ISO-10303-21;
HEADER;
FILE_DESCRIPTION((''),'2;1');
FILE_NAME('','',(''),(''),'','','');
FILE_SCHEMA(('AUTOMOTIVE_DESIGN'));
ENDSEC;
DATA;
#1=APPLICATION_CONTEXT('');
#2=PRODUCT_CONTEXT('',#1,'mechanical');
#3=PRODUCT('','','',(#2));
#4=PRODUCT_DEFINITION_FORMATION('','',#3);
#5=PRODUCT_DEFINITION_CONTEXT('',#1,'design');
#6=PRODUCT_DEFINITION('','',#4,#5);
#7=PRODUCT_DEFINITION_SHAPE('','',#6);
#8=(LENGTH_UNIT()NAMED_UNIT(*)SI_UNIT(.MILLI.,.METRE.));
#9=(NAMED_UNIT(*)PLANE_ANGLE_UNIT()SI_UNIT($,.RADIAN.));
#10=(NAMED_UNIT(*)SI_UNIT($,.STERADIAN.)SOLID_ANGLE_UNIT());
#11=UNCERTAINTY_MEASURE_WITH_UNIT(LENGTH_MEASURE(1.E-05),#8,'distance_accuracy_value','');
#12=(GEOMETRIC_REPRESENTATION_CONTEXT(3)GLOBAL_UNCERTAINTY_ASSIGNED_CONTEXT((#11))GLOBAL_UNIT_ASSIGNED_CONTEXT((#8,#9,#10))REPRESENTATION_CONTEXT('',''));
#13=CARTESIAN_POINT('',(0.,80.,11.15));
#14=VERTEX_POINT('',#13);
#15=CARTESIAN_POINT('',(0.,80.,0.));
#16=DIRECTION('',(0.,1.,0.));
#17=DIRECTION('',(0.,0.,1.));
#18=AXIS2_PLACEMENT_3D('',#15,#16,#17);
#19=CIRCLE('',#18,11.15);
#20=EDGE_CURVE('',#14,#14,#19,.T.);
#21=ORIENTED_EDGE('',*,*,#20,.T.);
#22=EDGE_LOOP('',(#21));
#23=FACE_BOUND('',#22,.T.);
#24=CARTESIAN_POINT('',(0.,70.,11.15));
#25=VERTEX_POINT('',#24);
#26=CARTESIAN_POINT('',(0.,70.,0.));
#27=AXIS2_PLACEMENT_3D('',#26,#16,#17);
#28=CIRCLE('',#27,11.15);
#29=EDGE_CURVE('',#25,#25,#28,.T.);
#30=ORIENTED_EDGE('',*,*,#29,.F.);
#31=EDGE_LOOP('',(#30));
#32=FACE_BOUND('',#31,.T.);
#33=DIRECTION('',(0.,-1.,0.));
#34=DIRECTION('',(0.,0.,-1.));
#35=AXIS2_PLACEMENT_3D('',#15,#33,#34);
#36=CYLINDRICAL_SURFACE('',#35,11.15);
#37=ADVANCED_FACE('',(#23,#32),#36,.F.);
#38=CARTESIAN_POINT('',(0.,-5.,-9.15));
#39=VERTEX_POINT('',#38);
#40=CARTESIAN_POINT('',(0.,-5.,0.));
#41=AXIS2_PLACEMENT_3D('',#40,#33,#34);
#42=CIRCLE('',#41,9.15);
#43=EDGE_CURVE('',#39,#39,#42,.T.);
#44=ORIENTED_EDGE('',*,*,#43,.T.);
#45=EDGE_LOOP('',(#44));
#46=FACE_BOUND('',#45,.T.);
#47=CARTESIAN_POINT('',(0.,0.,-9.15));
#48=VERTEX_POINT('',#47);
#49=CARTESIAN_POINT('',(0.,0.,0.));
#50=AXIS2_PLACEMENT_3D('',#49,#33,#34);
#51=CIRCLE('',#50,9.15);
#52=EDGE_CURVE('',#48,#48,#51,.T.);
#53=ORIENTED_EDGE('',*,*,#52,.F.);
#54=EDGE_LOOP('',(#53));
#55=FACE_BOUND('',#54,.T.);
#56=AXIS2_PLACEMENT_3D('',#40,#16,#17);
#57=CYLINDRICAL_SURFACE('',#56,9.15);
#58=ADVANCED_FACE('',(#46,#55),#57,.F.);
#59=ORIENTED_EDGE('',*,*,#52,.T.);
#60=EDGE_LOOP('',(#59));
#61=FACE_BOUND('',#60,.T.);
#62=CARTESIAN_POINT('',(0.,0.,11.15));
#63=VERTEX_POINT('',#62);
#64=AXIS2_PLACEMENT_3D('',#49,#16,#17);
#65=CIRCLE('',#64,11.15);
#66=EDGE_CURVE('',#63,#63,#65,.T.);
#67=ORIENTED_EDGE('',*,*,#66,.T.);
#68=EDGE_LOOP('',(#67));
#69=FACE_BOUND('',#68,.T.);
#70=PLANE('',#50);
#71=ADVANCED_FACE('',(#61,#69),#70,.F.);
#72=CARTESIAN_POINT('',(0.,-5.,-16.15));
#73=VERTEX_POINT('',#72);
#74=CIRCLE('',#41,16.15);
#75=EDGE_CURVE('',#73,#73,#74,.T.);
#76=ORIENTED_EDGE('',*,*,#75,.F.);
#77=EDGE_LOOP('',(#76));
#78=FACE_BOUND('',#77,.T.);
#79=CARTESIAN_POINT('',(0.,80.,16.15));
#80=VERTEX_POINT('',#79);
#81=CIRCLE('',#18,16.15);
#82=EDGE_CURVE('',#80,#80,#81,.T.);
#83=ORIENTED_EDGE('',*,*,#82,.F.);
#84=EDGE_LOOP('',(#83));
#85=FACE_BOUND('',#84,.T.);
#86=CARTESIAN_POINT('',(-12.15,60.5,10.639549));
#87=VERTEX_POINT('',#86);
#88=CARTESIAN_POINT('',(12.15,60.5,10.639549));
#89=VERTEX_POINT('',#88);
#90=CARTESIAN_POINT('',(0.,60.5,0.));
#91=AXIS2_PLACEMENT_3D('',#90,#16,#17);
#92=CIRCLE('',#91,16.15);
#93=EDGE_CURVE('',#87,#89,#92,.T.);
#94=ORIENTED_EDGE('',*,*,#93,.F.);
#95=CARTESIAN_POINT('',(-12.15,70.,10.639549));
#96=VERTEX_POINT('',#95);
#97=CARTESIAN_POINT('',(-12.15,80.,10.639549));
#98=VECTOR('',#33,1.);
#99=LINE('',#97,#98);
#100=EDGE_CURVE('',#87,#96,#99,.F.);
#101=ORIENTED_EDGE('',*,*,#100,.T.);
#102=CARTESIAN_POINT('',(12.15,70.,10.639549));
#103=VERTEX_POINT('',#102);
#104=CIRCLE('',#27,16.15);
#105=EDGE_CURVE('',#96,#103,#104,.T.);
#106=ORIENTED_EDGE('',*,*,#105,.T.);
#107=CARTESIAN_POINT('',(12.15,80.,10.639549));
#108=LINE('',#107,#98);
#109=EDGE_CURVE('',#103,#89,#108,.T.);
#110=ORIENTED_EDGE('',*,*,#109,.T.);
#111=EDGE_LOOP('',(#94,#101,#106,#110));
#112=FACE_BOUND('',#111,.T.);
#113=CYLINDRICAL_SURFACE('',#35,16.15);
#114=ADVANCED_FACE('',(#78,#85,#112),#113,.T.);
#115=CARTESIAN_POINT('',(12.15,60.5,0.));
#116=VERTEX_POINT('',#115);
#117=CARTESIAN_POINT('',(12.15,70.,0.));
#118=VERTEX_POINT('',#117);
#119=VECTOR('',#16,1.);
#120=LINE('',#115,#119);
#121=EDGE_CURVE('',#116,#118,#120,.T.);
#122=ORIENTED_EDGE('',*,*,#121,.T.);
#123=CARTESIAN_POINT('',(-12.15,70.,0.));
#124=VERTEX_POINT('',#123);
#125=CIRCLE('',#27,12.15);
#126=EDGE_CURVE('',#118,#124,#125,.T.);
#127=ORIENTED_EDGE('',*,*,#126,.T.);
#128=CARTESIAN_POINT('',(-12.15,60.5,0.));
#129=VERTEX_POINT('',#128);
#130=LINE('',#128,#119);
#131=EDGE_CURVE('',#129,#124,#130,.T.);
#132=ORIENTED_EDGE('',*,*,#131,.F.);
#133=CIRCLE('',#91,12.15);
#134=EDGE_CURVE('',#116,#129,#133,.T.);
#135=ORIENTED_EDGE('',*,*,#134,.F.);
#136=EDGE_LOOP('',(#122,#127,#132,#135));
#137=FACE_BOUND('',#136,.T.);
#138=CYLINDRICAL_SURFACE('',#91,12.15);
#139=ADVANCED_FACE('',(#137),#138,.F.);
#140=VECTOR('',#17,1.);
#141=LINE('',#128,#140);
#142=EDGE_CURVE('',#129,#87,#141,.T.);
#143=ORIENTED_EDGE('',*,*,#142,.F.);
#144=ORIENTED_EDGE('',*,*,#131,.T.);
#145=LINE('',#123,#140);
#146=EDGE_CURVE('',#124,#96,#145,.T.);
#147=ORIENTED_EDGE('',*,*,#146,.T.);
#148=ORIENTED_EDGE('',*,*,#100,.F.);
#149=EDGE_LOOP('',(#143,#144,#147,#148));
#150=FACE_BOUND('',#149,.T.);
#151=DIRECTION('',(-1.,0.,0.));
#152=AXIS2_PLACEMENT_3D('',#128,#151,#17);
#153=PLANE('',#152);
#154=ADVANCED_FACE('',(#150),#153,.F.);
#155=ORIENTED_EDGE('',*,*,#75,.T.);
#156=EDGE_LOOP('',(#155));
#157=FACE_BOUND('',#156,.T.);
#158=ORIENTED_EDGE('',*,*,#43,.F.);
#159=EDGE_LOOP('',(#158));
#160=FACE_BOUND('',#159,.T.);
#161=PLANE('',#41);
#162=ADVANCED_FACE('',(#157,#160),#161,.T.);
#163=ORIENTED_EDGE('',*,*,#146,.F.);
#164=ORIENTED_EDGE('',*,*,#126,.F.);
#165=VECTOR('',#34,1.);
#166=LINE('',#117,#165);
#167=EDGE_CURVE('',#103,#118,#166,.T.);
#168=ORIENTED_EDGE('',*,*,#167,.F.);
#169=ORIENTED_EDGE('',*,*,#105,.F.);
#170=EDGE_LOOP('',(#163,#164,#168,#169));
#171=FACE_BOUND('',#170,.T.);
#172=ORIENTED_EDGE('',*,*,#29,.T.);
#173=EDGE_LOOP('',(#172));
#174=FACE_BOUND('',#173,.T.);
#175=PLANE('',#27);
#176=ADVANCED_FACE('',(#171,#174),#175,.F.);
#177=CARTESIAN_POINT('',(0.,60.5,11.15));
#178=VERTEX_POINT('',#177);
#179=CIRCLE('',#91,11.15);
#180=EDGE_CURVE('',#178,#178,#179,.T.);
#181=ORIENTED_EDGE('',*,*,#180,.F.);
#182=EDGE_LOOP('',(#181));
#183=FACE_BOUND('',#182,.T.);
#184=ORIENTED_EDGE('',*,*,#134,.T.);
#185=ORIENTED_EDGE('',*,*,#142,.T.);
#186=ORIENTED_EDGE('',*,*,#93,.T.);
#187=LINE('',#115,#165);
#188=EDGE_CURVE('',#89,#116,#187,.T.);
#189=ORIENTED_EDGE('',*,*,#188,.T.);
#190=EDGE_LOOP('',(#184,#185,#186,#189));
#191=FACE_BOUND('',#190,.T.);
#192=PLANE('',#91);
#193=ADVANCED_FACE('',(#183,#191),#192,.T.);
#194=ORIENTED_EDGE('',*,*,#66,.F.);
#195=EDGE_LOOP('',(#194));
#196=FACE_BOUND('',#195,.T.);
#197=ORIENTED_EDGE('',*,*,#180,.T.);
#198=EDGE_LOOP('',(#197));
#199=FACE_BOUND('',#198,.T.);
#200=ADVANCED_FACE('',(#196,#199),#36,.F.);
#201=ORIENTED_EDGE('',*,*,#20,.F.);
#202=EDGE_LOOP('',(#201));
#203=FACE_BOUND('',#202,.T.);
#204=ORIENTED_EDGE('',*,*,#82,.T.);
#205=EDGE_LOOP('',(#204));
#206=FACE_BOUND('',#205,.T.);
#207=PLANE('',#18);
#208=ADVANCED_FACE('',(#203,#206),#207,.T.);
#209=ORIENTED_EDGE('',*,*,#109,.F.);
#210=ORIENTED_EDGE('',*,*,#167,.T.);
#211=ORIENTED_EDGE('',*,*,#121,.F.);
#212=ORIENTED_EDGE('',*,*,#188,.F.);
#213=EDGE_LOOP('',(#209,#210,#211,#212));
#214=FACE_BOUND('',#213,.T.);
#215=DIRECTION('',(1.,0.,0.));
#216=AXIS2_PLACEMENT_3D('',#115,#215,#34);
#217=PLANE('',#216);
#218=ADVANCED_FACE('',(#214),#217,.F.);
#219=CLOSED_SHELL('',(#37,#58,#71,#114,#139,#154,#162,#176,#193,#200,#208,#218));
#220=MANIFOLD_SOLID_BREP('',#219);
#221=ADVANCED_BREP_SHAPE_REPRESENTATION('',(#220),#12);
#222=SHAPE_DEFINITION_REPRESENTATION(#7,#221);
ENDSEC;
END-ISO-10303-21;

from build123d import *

# Parameters (mm, degrees)
SKETCH1_R           = 16.15
SKETCH1_R_2         = 11.15
BOSS_EXTRUDE1_DEPTH = 80
BOSS_EXTRUDE2_START = 5
SKETCH2_R           = 16.15
SKETCH2_R_2         = 9.15
BOSS_EXTRUDE2_DEPTH = 5
CUT_EXTRUDE1_DEPTH  = 9.5


with BuildPart() as part:
    # Sketch1 → Boss-Extrude1 (new body)
    with BuildSketch(Plane(origin=(0, 0, 0), x_dir=(1, 0, 0), z_dir=(0, 1, 0))):
        with Locations(Location((0, 0, 0), (0, 0, 270))):
            Circle(SKETCH1_R)
        with Locations(Location((0, 0, 0), (0, 0, 270))):
            Circle(SKETCH1_R_2, mode=Mode.SUBTRACT)
    extrude(amount=BOSS_EXTRUDE1_DEPTH)

    # Sketch2 → Boss-Extrude2 (add)
    with BuildSketch(Plane.XZ.offset(BOSS_EXTRUDE2_START)):
        with Locations(Location((0, 0, 0), (0, 0, 270))):
            Circle(SKETCH2_R)
        with Locations(Location((0, 0, 0), (0, 0, 270))):
            Circle(SKETCH2_R_2, mode=Mode.SUBTRACT)
    extrude(amount=-BOSS_EXTRUDE2_DEPTH)

    # Sketch4 → Cut-Extrude1 (cut)
    with BuildSketch(Plane(origin=(0, 70, 0), x_dir=(1, 0, 0), z_dir=(0, 1, 0))):
        with BuildLine():
            Line((-12.15, 0), (-12.15, -18.126783329))
            Line((-12.15, -18.126783329), (12.15, -18.126783329))
            Line((12.15, -18.126783329), (12.15, 0))
            ThreePointArc((12.15, 0), (0, 12.15), (-12.15, 0))
        make_face()
    extrude(amount=-CUT_EXTRUDE1_DEPTH, mode=Mode.SUBTRACT)


solid = part.part
